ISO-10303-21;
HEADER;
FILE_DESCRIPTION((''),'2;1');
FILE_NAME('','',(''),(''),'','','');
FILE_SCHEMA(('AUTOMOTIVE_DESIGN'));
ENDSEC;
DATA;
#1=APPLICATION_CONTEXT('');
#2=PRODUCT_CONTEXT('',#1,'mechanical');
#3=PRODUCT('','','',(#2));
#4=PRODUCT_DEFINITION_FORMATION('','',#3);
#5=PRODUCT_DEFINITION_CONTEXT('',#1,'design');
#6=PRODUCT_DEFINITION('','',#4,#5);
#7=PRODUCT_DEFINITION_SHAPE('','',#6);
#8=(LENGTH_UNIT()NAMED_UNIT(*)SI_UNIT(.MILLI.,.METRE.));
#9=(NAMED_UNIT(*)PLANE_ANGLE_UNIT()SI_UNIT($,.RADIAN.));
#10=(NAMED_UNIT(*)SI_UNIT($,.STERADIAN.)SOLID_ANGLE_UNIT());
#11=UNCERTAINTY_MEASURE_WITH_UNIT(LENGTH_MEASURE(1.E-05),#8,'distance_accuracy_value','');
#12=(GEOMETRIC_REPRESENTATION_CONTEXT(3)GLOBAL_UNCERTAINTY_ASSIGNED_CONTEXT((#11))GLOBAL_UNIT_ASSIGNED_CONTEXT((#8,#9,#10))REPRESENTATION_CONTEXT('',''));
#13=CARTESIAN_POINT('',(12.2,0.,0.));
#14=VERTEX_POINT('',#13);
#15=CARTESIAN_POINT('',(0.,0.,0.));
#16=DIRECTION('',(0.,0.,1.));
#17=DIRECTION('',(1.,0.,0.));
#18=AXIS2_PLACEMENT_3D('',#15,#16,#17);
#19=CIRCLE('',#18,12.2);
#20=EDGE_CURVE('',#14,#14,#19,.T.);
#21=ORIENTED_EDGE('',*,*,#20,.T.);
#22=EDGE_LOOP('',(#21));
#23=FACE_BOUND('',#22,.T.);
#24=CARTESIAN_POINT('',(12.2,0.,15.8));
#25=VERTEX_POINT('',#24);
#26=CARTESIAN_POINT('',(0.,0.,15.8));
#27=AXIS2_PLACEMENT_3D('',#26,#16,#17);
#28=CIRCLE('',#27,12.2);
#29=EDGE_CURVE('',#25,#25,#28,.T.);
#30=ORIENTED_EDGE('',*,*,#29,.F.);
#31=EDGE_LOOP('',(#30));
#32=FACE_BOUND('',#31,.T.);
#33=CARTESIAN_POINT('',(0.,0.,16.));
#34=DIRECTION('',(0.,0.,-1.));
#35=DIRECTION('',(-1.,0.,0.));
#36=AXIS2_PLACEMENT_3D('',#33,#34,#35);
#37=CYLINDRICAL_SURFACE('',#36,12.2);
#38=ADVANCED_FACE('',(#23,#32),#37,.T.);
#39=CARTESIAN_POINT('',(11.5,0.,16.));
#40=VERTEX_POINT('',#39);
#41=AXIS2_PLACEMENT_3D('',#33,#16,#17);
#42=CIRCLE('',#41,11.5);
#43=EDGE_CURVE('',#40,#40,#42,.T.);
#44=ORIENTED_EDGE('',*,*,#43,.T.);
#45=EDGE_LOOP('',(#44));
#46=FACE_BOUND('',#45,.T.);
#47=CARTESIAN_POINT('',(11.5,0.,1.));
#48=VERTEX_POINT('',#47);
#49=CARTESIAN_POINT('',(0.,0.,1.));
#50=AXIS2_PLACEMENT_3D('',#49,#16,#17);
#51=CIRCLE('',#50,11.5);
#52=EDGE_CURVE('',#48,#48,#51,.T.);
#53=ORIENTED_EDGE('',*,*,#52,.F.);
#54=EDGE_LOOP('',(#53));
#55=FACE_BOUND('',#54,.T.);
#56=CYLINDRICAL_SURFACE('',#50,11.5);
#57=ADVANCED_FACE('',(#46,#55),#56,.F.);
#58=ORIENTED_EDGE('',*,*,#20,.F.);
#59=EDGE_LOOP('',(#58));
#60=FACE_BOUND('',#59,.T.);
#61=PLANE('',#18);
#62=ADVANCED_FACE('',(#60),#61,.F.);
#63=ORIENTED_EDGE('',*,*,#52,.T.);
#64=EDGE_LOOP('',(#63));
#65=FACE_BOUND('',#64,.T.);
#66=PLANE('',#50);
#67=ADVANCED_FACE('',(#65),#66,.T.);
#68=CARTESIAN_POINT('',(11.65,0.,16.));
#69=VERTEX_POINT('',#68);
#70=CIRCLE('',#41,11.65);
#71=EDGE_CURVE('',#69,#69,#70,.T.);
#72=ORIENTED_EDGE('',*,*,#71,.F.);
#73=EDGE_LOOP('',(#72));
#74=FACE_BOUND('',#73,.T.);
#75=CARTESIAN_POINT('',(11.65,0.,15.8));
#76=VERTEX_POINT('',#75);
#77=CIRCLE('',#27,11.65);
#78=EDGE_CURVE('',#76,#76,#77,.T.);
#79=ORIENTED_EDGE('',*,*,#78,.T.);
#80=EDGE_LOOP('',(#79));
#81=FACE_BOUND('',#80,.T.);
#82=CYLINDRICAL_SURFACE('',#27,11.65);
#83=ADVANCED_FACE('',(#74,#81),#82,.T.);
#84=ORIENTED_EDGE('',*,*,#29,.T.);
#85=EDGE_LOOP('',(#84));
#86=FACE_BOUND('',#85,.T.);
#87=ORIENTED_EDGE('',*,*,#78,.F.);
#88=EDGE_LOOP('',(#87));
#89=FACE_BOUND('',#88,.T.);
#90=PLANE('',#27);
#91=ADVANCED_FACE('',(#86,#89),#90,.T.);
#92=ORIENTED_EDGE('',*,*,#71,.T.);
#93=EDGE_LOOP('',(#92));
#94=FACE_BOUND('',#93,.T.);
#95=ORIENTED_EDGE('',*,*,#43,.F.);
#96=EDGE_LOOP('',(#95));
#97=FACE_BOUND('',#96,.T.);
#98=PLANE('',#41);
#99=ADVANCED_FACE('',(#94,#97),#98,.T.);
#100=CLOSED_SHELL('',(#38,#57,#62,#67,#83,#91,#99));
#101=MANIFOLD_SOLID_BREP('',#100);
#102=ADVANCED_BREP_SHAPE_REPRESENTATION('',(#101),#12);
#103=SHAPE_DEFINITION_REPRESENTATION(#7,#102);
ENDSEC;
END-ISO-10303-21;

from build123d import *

# Parameters (mm, degrees)
SKETCH1_R           = 12.2
BOSS_EXTRUDE1_DEPTH = 16
SKETCH3_R           = 11.5
CUT_EXTRUDE1_DEPTH  = 15
CUT_EXTRUDE2_START  = -0.2
SKETCH2_R           = 12.2
SKETCH2_R_2         = 11.65
CUT_EXTRUDE2_DEPTH  = 0.2


with BuildPart() as part:
    # Sketch1 → Boss-Extrude1 (new body)
    with BuildSketch(Plane.XY):
        Circle(SKETCH1_R)
    extrude(amount=BOSS_EXTRUDE1_DEPTH)

    # Sketch3 → Cut-Extrude1 (cut)
    with BuildSketch(Plane.XY.offset(16)):
        Circle(SKETCH3_R)
    extrude(amount=-CUT_EXTRUDE1_DEPTH, mode=Mode.SUBTRACT)

    # Sketch2 → Cut-Extrude2 (cut)
    with BuildSketch(Plane.XY.offset(16).offset(CUT_EXTRUDE2_START)):
        Circle(SKETCH2_R)
        Circle(SKETCH2_R_2, mode=Mode.SUBTRACT)
    extrude(amount=CUT_EXTRUDE2_DEPTH, mode=Mode.SUBTRACT)


solid = part.part
